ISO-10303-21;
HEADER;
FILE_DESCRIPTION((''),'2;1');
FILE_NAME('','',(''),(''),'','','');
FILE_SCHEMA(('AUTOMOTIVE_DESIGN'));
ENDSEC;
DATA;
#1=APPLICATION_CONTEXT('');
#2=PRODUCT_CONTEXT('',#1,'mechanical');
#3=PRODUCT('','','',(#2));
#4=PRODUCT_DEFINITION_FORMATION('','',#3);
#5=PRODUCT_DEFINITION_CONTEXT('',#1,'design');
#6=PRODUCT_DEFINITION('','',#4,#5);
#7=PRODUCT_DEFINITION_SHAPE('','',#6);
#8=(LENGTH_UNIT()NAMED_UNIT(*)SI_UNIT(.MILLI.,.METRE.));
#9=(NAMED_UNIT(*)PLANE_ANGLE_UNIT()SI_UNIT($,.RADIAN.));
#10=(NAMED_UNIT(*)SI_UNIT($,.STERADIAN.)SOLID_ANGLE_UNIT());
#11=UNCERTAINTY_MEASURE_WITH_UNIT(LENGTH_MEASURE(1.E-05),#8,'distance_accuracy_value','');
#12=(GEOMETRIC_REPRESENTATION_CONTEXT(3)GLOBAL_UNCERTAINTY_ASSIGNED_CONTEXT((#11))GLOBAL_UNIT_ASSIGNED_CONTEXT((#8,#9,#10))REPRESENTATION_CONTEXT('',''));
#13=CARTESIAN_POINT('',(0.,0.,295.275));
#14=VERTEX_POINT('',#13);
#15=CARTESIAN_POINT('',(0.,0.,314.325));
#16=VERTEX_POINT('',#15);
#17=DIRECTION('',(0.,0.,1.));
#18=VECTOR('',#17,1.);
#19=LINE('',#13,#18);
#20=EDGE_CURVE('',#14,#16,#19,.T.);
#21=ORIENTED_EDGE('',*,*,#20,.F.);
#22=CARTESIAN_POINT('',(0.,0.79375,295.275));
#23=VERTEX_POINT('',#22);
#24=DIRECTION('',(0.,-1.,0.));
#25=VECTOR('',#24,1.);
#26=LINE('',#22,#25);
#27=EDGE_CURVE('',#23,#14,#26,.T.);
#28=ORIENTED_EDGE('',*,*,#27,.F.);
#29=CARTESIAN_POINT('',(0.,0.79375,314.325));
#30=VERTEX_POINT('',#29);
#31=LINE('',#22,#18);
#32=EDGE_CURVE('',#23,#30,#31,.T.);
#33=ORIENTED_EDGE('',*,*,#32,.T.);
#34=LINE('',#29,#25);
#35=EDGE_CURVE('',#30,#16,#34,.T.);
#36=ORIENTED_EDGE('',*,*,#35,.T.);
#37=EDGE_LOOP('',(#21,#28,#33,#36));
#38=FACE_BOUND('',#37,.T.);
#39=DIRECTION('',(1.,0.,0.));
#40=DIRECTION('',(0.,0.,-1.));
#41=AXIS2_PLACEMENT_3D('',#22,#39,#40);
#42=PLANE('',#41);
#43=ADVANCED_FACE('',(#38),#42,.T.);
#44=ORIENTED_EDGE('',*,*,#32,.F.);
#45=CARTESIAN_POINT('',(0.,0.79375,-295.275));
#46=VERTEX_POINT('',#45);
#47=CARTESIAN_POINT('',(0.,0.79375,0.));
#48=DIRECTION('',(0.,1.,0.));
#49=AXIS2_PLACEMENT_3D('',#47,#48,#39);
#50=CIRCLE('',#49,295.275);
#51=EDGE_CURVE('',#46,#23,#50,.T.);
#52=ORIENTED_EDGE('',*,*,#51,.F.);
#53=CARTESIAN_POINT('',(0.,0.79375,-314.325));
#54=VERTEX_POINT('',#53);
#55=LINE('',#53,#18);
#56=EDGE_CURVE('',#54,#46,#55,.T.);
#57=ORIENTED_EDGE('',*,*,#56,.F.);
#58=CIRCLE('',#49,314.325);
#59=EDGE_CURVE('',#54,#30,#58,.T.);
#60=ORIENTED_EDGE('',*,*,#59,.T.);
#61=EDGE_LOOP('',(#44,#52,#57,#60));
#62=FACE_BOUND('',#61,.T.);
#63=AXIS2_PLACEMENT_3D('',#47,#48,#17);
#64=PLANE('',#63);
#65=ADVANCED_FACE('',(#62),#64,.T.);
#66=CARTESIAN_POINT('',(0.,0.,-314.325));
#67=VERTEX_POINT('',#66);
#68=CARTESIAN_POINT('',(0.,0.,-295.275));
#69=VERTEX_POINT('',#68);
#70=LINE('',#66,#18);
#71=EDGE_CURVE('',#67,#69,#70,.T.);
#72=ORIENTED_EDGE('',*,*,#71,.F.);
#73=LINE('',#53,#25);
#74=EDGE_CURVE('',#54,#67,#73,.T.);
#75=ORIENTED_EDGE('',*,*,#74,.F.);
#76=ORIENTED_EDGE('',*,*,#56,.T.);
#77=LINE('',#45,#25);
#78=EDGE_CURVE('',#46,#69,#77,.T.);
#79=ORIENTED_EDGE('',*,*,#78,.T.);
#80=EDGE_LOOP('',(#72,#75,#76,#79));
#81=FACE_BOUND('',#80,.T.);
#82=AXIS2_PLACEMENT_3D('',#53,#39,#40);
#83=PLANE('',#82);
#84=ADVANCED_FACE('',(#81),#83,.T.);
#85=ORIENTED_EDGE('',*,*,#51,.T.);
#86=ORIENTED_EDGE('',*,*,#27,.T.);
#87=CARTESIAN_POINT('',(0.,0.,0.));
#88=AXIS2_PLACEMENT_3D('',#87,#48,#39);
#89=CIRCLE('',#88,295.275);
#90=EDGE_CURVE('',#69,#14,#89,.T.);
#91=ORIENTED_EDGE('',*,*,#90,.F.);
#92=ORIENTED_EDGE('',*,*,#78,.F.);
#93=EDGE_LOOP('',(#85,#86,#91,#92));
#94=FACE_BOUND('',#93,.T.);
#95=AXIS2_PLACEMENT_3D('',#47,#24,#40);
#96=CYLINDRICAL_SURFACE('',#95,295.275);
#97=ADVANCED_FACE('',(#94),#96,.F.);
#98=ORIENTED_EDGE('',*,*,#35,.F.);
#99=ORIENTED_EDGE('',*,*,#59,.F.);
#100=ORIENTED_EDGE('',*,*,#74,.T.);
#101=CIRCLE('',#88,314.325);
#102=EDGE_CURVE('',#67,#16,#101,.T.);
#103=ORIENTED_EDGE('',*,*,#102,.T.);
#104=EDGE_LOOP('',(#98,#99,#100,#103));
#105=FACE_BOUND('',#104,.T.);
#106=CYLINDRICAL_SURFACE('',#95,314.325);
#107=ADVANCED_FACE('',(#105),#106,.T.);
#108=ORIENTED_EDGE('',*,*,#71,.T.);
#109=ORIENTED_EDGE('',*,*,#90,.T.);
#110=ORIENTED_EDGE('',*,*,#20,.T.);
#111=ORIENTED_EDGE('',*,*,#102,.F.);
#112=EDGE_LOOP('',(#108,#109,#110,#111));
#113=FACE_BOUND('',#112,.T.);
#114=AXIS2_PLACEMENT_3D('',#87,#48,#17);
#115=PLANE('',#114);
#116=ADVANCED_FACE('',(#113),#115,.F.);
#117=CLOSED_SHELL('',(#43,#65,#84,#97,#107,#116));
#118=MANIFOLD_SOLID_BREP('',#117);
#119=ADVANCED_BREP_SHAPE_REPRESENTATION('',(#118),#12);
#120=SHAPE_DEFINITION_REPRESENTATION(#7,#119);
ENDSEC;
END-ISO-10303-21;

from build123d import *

# Parameters (mm, degrees)
EXTRUDE_THIN1_DEPTH = 0.79375


with BuildPart() as part:
    # Sketch1 → Extrude-Thin1 (new body)
    with BuildSketch(Plane(origin=(0, 0, 0), x_dir=(1, 0, 0), z_dir=(0, 1, 0))):
        with BuildLine():
            ThreePointArc((0, 314.325), (-314.325, 0), (0, -314.325))
            Line((0, -314.325), (0, -295.275))
            ThreePointArc((0, -295.275), (-295.275, 0), (0, 295.275))
            Line((0, 295.275), (0, 314.325))
        make_face()
    extrude(amount=EXTRUDE_THIN1_DEPTH)


solid = part.part
